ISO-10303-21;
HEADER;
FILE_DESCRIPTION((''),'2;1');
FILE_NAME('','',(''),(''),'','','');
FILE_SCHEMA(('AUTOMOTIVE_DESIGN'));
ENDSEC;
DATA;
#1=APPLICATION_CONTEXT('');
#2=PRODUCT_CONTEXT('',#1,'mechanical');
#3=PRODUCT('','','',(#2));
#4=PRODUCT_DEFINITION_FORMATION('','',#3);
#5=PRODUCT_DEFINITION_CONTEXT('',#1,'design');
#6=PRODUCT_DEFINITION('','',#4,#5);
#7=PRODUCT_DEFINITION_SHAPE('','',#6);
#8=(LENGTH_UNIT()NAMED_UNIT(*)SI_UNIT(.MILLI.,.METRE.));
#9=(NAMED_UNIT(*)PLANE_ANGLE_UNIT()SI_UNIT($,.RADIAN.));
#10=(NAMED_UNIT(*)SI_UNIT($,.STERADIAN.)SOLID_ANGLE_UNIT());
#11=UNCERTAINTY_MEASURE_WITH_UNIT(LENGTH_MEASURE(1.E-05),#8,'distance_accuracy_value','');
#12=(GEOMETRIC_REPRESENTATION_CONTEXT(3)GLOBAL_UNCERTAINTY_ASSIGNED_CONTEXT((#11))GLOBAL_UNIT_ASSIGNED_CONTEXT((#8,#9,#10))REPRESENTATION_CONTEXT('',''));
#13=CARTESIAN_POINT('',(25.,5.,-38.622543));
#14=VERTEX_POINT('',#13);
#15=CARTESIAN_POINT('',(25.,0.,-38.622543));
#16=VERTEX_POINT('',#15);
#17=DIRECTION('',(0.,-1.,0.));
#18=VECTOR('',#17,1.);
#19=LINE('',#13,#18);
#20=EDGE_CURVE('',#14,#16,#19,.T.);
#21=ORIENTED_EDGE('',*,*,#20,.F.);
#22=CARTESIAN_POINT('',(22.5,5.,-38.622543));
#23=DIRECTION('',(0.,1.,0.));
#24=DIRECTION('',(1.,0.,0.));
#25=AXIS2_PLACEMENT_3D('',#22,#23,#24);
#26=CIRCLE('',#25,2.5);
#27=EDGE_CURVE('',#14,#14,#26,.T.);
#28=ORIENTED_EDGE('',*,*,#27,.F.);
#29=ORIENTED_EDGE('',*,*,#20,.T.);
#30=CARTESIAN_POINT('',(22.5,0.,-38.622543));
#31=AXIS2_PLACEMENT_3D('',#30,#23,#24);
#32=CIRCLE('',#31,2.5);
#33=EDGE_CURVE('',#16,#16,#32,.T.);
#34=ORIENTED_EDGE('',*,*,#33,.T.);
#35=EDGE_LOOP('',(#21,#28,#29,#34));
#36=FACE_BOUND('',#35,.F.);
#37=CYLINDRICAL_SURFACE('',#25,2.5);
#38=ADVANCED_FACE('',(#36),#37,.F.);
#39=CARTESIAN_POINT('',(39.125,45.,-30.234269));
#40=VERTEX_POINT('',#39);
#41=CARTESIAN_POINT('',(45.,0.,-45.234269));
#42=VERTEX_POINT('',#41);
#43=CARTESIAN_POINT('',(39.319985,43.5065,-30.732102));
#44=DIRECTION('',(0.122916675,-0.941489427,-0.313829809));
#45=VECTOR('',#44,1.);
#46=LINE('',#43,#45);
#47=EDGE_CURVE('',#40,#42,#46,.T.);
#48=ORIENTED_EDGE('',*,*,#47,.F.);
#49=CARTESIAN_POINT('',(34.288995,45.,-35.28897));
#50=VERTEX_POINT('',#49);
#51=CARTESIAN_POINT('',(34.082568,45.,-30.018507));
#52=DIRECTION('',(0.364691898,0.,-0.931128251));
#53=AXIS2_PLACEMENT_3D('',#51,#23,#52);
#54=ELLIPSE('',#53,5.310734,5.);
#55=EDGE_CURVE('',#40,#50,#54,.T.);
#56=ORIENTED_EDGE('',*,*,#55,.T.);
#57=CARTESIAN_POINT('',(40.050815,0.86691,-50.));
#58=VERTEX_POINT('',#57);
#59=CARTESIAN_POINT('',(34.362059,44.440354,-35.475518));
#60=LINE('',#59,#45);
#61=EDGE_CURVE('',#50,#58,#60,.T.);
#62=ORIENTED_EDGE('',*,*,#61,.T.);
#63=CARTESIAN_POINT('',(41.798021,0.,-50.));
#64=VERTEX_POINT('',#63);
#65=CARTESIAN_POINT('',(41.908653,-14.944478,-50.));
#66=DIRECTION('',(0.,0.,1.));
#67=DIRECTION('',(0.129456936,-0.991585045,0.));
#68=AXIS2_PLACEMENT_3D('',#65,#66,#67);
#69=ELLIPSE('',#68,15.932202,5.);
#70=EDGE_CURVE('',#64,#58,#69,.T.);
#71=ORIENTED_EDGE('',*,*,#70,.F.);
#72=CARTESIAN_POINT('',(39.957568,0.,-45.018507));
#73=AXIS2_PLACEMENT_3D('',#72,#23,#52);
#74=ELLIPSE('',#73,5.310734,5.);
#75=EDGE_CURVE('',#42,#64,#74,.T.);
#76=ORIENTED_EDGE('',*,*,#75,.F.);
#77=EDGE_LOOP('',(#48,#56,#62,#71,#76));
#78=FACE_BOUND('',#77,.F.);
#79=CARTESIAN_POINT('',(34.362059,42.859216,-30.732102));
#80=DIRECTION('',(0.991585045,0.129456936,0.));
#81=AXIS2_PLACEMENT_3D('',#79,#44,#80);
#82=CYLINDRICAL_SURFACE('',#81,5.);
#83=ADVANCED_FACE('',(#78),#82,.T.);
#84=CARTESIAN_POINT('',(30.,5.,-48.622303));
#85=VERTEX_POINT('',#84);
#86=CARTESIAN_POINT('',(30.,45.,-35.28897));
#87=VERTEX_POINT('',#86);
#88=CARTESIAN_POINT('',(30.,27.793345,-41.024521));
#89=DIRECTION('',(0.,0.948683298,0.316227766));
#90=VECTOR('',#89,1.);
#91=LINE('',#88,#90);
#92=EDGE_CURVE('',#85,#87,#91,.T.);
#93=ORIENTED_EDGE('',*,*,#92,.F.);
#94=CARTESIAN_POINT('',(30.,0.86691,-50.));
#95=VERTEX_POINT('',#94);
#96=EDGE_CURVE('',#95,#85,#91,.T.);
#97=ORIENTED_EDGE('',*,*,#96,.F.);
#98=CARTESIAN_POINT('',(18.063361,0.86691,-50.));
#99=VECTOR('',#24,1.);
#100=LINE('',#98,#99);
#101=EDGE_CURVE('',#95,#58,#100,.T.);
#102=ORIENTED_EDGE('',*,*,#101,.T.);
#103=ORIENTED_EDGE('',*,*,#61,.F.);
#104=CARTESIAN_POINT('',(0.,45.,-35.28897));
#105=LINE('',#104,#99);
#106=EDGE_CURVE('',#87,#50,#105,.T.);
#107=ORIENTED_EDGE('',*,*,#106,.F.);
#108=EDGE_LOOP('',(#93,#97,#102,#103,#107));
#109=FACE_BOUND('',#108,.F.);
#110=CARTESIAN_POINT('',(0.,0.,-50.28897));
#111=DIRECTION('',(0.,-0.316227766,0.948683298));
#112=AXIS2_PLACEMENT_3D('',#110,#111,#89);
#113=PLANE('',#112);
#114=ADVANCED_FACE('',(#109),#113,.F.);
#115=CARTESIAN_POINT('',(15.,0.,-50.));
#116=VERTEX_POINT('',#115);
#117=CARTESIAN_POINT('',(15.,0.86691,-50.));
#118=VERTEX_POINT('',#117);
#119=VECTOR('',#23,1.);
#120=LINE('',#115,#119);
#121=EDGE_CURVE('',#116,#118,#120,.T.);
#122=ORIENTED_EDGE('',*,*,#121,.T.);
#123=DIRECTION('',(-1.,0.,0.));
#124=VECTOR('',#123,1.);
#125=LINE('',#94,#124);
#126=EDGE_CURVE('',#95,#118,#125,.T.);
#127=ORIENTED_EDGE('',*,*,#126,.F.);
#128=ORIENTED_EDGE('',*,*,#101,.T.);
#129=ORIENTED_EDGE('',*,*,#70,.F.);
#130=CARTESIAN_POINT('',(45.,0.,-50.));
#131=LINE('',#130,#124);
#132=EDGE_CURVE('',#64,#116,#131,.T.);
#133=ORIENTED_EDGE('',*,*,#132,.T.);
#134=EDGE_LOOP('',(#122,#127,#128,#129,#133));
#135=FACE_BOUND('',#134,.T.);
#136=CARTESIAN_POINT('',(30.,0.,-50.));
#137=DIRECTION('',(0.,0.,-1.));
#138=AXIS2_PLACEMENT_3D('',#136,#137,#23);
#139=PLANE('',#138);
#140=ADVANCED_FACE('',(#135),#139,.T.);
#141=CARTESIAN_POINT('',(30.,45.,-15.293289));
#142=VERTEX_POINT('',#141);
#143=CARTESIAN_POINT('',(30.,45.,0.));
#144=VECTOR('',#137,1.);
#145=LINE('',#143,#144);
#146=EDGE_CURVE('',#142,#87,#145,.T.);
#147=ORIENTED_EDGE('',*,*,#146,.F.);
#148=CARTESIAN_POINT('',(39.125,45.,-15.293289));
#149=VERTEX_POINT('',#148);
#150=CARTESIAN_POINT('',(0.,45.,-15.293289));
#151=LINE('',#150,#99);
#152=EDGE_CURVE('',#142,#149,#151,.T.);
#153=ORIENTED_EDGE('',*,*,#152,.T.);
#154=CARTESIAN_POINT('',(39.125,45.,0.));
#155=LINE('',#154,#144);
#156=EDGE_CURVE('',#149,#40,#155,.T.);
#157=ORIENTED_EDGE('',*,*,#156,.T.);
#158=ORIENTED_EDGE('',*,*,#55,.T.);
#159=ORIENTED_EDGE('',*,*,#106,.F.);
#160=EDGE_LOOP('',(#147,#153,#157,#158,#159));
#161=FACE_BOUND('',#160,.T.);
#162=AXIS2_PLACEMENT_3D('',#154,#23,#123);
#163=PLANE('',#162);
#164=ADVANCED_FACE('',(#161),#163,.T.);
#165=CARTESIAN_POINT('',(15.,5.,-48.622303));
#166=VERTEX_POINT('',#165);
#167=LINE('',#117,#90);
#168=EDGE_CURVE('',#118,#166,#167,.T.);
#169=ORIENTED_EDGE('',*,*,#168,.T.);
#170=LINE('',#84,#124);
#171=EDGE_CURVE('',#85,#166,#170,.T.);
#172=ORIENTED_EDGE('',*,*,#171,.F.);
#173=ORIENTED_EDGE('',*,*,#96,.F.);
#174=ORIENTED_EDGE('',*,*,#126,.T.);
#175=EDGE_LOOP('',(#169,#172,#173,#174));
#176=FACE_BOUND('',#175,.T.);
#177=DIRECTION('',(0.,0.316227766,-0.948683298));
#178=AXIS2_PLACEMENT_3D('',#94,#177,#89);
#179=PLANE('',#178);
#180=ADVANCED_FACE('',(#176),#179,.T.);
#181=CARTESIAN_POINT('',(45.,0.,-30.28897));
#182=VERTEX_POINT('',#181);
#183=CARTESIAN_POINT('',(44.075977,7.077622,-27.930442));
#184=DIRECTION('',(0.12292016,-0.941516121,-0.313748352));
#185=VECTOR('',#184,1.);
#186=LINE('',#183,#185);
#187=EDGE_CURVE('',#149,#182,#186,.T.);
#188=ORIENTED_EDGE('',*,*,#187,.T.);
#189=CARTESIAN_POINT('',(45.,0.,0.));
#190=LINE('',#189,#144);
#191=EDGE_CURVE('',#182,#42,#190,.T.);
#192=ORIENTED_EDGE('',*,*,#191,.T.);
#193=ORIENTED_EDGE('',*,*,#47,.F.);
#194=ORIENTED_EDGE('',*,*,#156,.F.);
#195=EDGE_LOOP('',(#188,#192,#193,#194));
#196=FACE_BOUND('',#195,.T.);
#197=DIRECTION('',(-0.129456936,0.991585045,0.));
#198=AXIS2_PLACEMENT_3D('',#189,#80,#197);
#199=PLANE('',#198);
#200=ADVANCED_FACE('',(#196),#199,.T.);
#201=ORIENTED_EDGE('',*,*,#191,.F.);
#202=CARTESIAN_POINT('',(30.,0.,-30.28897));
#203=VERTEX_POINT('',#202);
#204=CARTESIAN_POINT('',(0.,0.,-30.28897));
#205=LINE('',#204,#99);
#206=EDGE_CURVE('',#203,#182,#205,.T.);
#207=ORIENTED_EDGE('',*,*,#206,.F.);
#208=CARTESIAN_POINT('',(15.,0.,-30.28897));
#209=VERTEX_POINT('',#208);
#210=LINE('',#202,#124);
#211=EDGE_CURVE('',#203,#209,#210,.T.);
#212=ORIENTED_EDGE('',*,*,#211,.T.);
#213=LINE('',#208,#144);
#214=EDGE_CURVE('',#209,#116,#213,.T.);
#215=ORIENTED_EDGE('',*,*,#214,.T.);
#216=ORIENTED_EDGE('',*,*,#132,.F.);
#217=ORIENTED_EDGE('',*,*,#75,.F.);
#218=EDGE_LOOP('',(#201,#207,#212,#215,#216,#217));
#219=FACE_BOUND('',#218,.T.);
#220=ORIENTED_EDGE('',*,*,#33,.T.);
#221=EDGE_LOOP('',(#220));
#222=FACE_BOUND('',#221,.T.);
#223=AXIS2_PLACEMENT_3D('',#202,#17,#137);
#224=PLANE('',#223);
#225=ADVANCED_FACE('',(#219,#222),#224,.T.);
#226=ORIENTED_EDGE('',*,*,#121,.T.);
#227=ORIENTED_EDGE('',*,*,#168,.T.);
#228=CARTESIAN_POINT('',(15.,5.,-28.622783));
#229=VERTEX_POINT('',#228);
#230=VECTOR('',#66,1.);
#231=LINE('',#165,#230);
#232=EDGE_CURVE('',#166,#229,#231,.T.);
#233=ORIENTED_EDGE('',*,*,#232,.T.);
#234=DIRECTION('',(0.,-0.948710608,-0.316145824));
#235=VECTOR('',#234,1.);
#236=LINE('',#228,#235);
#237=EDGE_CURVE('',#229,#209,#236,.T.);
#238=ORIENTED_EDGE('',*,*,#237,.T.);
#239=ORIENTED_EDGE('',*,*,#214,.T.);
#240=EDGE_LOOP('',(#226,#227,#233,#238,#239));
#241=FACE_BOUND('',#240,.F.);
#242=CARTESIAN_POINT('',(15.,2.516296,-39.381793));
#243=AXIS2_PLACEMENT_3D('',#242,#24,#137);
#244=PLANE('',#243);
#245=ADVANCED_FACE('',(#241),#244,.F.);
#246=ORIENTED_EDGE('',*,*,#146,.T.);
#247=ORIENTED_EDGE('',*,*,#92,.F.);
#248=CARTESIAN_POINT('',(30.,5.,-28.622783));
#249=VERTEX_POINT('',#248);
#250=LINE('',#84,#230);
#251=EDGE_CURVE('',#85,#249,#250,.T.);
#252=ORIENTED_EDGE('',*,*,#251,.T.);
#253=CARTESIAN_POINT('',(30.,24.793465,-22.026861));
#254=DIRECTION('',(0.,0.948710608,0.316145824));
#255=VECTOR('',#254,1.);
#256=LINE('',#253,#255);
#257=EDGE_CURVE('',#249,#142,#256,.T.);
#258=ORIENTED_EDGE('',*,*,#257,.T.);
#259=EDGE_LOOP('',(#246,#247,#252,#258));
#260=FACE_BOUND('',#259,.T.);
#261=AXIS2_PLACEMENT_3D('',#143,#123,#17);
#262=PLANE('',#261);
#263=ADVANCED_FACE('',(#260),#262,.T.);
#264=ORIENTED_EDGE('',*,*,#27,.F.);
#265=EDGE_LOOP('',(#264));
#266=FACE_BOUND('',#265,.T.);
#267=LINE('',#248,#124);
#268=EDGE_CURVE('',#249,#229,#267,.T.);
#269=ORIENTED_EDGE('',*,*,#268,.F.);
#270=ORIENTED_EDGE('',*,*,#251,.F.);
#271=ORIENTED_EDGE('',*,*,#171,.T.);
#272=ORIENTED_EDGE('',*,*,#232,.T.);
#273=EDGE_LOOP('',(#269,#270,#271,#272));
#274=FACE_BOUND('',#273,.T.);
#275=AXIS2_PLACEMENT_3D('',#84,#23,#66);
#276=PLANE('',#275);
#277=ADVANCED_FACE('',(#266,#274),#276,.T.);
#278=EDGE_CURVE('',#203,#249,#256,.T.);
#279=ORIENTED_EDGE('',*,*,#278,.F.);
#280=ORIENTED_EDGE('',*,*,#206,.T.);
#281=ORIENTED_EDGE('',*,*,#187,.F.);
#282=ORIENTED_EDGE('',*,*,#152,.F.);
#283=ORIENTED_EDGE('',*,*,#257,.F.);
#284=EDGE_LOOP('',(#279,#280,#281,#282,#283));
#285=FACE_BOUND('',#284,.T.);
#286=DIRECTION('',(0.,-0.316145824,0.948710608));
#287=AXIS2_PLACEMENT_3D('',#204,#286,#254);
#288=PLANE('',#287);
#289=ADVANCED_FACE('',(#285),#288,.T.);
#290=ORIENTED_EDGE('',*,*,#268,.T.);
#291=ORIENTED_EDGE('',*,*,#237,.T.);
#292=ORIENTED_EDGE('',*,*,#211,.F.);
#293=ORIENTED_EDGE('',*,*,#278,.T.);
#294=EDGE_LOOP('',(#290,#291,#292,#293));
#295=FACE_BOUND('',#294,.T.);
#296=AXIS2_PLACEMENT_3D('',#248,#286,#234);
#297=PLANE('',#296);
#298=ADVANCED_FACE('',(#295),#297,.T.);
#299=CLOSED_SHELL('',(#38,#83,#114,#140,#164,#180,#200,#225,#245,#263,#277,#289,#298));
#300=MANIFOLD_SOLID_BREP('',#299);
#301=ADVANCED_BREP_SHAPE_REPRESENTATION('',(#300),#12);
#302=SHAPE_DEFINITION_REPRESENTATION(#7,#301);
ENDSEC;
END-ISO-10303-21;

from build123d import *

# Parameters (mm, degrees)
EXTRUDE_6_DEPTH     = 50
CUT_EXTRUDE_5_DEPTH = 63
EXTRUDE_7_DEPTH     = 15
FILLET_2_R          = 5
SKETCH_8_R          = 2.5
CUT_EXTRUDE_6_DEPTH = 10


with BuildPart() as part:
    # Эскиз2 → Бобышка-Вытянуть6 (new body)
    with BuildSketch(Plane.XY):
        Polygon((39.125, 45), (30, 45), (30, 0), (45, 0), align=None)
    extrude(amount=-EXTRUDE_6_DEPTH)

    # Эскиз4 → Вырез-Вытянуть5 (cut)
    with BuildSketch(Plane(origin=(0, 0, 0), x_dir=(0, 0, -1), z_dir=(1, 0, 0))):
        Polygon((50.288969981, 0), (35.288969981, 45), (50, 45), align=None)
        Polygon((0, 45), (0, 0), (30.288969981, 0), (15.293288519, 45), align=None)
    extrude(amount=CUT_EXTRUDE_5_DEPTH, mode=Mode.SUBTRACT)

    # Эскиз7 → Бобышка-Вытянуть7 (add)
    with BuildSketch(Plane.ZY.offset(-30)):
        Polygon((-50, 0), (-50, 0.866909943), (-48.622303314, 5), (-28.622783152, 5), (-30.288969981, 0), align=None)
    extrude(amount=EXTRUDE_7_DEPTH)

    # Скругление2
    fillet_2_edges = [part.edges().sort_by_distance(p)[0] for p in [
        (42.005910045, 22.933454971, -42.64448499),
    ]]
    fillet(fillet_2_edges, radius=FILLET_2_R)

    # Эскиз8 → Вырез-Вытянуть6 (cut)
    with BuildSketch(Plane(origin=(0, 5, 0), x_dir=(1, 0, 0), z_dir=(0, 1, 0))):
        with Locations((22.5, 38.622543233)):
            Circle(SKETCH_8_R)
    extrude(amount=-CUT_EXTRUDE_6_DEPTH, mode=Mode.SUBTRACT)


solid = part.part
